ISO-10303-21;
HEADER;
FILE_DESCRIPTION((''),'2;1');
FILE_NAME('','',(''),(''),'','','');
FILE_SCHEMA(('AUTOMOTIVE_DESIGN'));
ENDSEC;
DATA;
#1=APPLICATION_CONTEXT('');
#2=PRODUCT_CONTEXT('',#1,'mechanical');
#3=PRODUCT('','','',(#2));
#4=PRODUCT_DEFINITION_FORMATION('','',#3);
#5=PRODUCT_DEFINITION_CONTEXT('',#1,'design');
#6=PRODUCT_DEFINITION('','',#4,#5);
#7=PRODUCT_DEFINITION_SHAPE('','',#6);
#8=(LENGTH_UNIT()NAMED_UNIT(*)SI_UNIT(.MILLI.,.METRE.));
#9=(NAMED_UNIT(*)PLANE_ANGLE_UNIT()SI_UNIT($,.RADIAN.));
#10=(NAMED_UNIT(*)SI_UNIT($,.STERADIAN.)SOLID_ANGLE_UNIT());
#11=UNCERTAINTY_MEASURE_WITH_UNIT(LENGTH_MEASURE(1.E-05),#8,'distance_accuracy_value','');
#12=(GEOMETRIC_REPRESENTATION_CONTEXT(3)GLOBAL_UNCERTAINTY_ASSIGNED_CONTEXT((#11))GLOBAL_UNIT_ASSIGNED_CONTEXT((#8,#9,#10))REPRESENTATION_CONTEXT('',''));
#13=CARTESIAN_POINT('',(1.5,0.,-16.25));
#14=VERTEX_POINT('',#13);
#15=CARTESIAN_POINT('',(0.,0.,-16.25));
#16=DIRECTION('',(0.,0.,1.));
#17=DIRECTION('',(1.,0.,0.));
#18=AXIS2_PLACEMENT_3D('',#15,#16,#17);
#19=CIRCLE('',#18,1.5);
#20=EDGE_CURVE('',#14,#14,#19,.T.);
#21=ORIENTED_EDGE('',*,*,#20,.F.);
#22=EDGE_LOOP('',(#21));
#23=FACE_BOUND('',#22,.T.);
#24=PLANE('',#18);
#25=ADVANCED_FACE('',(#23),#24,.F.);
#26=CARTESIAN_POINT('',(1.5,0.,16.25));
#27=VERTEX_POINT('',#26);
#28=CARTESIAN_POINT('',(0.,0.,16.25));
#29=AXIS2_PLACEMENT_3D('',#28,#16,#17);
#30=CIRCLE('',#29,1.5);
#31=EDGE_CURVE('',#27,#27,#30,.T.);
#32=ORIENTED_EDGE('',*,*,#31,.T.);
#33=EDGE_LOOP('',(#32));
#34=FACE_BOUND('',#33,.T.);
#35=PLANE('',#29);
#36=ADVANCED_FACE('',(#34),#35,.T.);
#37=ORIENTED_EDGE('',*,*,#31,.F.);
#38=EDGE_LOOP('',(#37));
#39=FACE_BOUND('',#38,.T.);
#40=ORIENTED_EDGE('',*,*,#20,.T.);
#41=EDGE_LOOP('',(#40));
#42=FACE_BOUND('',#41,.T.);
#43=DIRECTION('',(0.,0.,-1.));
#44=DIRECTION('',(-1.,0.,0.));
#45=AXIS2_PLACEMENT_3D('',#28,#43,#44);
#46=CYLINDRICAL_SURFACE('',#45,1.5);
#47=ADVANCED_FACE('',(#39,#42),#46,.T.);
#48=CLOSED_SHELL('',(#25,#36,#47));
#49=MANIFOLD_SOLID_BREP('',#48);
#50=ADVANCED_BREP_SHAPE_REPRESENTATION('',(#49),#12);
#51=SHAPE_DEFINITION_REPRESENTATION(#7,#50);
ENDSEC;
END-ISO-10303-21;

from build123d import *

# Parameters (mm, degrees)
SKETCH_1_R      = 1.5
EXTRUDE_1_DEPTH = 16.25


with BuildPart() as part:
    # 草图1 → 凸台-拉伸1 (new, symmetric)
    with BuildSketch(Plane.XY):
        Circle(SKETCH_1_R)
    extrude(amount=EXTRUDE_1_DEPTH, both=True)


solid = part.part
